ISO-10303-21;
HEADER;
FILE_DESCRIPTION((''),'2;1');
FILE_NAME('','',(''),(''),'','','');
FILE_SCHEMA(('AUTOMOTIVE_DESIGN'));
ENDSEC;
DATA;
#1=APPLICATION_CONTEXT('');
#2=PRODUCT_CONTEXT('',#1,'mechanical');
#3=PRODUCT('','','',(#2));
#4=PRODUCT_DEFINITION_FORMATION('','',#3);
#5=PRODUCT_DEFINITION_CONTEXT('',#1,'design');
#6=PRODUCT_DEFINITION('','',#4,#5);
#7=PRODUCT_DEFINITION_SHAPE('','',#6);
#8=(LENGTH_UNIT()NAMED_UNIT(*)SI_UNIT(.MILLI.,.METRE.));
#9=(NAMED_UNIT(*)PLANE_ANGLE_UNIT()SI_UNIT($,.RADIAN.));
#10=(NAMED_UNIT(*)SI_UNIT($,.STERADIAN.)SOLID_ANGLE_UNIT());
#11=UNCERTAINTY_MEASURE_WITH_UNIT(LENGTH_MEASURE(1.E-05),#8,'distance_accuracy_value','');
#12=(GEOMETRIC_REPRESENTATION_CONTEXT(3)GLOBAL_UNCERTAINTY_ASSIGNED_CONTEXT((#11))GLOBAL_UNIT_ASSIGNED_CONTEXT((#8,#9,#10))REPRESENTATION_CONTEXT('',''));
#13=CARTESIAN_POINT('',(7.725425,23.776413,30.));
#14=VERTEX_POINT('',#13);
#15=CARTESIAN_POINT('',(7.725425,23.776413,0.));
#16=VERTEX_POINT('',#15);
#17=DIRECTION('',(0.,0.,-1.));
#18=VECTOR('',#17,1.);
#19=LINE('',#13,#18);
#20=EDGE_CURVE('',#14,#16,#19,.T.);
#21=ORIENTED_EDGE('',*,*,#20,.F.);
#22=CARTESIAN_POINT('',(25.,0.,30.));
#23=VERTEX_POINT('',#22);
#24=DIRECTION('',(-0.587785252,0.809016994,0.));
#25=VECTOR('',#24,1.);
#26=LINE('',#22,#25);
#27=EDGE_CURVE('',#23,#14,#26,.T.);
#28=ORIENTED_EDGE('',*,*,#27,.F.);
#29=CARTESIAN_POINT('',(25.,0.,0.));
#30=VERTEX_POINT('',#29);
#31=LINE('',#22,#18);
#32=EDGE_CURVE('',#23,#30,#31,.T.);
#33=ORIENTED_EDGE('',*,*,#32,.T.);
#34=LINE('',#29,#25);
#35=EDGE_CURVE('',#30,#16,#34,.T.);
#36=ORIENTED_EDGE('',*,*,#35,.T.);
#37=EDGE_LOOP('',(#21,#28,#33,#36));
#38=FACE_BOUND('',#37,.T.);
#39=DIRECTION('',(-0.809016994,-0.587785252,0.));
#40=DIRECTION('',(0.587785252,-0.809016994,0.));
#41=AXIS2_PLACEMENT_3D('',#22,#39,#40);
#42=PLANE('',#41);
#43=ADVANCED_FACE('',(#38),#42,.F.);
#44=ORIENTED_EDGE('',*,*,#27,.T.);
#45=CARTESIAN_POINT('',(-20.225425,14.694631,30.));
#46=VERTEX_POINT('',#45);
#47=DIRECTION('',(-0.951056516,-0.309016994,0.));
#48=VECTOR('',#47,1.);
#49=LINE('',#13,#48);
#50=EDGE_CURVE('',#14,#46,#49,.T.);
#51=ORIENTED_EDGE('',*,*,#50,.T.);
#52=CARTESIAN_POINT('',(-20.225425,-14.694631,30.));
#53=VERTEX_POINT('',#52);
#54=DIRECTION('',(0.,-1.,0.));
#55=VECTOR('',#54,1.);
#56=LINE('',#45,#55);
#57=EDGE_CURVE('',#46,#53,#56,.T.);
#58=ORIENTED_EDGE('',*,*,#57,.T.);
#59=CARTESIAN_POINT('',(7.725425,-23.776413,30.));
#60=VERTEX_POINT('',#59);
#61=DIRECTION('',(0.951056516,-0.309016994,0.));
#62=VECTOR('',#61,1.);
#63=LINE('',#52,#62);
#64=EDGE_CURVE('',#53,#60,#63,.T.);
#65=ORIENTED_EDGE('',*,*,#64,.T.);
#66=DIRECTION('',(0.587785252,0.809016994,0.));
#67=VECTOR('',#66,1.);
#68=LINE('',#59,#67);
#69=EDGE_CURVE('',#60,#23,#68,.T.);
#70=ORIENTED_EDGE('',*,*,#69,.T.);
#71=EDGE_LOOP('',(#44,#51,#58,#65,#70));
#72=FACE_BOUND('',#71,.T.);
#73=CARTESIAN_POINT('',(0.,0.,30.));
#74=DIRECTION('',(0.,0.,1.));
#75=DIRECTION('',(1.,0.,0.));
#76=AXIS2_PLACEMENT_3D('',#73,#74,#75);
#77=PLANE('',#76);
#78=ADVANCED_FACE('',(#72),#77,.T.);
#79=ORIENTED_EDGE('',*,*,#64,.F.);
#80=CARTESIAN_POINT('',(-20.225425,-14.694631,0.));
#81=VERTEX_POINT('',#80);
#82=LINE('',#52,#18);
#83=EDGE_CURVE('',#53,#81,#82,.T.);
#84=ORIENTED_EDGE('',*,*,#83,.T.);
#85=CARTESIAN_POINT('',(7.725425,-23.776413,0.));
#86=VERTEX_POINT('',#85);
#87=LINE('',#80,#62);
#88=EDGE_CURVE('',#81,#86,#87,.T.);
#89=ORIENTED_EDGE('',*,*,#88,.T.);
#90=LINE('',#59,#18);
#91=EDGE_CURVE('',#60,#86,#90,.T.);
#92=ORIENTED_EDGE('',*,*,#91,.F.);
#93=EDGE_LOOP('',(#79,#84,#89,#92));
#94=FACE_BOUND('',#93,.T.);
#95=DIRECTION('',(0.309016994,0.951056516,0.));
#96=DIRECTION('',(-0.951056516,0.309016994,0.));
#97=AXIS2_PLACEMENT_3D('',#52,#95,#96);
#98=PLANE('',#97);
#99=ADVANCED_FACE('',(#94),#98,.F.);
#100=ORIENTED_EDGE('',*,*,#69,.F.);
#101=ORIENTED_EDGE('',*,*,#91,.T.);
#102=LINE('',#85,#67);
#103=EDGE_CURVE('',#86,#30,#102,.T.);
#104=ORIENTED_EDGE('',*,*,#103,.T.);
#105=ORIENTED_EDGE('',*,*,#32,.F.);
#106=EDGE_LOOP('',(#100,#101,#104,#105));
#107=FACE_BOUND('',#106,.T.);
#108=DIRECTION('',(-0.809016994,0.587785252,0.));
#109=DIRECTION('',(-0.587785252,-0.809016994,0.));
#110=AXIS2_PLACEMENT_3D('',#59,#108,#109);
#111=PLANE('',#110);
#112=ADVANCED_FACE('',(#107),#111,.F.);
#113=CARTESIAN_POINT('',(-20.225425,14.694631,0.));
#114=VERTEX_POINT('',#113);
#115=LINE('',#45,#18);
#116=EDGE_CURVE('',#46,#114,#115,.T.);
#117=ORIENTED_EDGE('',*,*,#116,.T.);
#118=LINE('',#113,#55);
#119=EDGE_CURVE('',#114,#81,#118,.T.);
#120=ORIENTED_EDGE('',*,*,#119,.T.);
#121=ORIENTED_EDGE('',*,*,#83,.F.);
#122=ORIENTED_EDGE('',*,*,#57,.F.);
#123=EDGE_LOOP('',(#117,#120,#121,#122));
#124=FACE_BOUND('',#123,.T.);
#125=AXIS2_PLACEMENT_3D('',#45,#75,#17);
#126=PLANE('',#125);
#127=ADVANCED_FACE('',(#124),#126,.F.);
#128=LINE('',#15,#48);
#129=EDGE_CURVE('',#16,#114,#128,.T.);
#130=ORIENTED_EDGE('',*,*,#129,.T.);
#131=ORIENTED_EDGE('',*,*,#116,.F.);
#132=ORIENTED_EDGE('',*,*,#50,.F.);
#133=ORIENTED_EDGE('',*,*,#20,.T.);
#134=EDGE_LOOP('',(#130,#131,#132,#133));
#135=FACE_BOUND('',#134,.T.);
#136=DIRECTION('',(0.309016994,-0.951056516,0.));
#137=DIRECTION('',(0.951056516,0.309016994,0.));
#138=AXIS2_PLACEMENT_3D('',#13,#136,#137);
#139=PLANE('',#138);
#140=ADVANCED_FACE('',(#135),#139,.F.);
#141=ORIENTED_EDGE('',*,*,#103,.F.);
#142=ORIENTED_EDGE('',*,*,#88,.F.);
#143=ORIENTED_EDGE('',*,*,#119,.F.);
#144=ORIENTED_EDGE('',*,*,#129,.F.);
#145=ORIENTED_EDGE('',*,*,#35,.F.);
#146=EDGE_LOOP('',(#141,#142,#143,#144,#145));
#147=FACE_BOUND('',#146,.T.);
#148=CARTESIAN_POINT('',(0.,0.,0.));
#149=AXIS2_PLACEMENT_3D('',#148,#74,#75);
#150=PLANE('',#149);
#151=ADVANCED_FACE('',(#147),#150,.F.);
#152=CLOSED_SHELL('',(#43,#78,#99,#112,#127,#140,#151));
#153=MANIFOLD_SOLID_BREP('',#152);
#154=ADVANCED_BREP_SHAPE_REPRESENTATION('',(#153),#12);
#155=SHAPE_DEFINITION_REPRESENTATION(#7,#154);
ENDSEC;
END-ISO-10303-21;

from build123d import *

# Parameters (mm, degrees)
ESTRUSIONE_ESTRUSIONE1_DEPTH = 30


with BuildPart() as part:
    # Schizzo1 → Estrusione-Estrusione1 (new body)
    with BuildSketch(Plane.XY):
        Polygon((25, 0), (7.725424859, 23.776412907), (-20.225424859, 14.694631307), (-20.225424859, -14.694631307), (7.725424859, -23.776412907), align=None)
    extrude(amount=ESTRUSIONE_ESTRUSIONE1_DEPTH)


solid = part.part
